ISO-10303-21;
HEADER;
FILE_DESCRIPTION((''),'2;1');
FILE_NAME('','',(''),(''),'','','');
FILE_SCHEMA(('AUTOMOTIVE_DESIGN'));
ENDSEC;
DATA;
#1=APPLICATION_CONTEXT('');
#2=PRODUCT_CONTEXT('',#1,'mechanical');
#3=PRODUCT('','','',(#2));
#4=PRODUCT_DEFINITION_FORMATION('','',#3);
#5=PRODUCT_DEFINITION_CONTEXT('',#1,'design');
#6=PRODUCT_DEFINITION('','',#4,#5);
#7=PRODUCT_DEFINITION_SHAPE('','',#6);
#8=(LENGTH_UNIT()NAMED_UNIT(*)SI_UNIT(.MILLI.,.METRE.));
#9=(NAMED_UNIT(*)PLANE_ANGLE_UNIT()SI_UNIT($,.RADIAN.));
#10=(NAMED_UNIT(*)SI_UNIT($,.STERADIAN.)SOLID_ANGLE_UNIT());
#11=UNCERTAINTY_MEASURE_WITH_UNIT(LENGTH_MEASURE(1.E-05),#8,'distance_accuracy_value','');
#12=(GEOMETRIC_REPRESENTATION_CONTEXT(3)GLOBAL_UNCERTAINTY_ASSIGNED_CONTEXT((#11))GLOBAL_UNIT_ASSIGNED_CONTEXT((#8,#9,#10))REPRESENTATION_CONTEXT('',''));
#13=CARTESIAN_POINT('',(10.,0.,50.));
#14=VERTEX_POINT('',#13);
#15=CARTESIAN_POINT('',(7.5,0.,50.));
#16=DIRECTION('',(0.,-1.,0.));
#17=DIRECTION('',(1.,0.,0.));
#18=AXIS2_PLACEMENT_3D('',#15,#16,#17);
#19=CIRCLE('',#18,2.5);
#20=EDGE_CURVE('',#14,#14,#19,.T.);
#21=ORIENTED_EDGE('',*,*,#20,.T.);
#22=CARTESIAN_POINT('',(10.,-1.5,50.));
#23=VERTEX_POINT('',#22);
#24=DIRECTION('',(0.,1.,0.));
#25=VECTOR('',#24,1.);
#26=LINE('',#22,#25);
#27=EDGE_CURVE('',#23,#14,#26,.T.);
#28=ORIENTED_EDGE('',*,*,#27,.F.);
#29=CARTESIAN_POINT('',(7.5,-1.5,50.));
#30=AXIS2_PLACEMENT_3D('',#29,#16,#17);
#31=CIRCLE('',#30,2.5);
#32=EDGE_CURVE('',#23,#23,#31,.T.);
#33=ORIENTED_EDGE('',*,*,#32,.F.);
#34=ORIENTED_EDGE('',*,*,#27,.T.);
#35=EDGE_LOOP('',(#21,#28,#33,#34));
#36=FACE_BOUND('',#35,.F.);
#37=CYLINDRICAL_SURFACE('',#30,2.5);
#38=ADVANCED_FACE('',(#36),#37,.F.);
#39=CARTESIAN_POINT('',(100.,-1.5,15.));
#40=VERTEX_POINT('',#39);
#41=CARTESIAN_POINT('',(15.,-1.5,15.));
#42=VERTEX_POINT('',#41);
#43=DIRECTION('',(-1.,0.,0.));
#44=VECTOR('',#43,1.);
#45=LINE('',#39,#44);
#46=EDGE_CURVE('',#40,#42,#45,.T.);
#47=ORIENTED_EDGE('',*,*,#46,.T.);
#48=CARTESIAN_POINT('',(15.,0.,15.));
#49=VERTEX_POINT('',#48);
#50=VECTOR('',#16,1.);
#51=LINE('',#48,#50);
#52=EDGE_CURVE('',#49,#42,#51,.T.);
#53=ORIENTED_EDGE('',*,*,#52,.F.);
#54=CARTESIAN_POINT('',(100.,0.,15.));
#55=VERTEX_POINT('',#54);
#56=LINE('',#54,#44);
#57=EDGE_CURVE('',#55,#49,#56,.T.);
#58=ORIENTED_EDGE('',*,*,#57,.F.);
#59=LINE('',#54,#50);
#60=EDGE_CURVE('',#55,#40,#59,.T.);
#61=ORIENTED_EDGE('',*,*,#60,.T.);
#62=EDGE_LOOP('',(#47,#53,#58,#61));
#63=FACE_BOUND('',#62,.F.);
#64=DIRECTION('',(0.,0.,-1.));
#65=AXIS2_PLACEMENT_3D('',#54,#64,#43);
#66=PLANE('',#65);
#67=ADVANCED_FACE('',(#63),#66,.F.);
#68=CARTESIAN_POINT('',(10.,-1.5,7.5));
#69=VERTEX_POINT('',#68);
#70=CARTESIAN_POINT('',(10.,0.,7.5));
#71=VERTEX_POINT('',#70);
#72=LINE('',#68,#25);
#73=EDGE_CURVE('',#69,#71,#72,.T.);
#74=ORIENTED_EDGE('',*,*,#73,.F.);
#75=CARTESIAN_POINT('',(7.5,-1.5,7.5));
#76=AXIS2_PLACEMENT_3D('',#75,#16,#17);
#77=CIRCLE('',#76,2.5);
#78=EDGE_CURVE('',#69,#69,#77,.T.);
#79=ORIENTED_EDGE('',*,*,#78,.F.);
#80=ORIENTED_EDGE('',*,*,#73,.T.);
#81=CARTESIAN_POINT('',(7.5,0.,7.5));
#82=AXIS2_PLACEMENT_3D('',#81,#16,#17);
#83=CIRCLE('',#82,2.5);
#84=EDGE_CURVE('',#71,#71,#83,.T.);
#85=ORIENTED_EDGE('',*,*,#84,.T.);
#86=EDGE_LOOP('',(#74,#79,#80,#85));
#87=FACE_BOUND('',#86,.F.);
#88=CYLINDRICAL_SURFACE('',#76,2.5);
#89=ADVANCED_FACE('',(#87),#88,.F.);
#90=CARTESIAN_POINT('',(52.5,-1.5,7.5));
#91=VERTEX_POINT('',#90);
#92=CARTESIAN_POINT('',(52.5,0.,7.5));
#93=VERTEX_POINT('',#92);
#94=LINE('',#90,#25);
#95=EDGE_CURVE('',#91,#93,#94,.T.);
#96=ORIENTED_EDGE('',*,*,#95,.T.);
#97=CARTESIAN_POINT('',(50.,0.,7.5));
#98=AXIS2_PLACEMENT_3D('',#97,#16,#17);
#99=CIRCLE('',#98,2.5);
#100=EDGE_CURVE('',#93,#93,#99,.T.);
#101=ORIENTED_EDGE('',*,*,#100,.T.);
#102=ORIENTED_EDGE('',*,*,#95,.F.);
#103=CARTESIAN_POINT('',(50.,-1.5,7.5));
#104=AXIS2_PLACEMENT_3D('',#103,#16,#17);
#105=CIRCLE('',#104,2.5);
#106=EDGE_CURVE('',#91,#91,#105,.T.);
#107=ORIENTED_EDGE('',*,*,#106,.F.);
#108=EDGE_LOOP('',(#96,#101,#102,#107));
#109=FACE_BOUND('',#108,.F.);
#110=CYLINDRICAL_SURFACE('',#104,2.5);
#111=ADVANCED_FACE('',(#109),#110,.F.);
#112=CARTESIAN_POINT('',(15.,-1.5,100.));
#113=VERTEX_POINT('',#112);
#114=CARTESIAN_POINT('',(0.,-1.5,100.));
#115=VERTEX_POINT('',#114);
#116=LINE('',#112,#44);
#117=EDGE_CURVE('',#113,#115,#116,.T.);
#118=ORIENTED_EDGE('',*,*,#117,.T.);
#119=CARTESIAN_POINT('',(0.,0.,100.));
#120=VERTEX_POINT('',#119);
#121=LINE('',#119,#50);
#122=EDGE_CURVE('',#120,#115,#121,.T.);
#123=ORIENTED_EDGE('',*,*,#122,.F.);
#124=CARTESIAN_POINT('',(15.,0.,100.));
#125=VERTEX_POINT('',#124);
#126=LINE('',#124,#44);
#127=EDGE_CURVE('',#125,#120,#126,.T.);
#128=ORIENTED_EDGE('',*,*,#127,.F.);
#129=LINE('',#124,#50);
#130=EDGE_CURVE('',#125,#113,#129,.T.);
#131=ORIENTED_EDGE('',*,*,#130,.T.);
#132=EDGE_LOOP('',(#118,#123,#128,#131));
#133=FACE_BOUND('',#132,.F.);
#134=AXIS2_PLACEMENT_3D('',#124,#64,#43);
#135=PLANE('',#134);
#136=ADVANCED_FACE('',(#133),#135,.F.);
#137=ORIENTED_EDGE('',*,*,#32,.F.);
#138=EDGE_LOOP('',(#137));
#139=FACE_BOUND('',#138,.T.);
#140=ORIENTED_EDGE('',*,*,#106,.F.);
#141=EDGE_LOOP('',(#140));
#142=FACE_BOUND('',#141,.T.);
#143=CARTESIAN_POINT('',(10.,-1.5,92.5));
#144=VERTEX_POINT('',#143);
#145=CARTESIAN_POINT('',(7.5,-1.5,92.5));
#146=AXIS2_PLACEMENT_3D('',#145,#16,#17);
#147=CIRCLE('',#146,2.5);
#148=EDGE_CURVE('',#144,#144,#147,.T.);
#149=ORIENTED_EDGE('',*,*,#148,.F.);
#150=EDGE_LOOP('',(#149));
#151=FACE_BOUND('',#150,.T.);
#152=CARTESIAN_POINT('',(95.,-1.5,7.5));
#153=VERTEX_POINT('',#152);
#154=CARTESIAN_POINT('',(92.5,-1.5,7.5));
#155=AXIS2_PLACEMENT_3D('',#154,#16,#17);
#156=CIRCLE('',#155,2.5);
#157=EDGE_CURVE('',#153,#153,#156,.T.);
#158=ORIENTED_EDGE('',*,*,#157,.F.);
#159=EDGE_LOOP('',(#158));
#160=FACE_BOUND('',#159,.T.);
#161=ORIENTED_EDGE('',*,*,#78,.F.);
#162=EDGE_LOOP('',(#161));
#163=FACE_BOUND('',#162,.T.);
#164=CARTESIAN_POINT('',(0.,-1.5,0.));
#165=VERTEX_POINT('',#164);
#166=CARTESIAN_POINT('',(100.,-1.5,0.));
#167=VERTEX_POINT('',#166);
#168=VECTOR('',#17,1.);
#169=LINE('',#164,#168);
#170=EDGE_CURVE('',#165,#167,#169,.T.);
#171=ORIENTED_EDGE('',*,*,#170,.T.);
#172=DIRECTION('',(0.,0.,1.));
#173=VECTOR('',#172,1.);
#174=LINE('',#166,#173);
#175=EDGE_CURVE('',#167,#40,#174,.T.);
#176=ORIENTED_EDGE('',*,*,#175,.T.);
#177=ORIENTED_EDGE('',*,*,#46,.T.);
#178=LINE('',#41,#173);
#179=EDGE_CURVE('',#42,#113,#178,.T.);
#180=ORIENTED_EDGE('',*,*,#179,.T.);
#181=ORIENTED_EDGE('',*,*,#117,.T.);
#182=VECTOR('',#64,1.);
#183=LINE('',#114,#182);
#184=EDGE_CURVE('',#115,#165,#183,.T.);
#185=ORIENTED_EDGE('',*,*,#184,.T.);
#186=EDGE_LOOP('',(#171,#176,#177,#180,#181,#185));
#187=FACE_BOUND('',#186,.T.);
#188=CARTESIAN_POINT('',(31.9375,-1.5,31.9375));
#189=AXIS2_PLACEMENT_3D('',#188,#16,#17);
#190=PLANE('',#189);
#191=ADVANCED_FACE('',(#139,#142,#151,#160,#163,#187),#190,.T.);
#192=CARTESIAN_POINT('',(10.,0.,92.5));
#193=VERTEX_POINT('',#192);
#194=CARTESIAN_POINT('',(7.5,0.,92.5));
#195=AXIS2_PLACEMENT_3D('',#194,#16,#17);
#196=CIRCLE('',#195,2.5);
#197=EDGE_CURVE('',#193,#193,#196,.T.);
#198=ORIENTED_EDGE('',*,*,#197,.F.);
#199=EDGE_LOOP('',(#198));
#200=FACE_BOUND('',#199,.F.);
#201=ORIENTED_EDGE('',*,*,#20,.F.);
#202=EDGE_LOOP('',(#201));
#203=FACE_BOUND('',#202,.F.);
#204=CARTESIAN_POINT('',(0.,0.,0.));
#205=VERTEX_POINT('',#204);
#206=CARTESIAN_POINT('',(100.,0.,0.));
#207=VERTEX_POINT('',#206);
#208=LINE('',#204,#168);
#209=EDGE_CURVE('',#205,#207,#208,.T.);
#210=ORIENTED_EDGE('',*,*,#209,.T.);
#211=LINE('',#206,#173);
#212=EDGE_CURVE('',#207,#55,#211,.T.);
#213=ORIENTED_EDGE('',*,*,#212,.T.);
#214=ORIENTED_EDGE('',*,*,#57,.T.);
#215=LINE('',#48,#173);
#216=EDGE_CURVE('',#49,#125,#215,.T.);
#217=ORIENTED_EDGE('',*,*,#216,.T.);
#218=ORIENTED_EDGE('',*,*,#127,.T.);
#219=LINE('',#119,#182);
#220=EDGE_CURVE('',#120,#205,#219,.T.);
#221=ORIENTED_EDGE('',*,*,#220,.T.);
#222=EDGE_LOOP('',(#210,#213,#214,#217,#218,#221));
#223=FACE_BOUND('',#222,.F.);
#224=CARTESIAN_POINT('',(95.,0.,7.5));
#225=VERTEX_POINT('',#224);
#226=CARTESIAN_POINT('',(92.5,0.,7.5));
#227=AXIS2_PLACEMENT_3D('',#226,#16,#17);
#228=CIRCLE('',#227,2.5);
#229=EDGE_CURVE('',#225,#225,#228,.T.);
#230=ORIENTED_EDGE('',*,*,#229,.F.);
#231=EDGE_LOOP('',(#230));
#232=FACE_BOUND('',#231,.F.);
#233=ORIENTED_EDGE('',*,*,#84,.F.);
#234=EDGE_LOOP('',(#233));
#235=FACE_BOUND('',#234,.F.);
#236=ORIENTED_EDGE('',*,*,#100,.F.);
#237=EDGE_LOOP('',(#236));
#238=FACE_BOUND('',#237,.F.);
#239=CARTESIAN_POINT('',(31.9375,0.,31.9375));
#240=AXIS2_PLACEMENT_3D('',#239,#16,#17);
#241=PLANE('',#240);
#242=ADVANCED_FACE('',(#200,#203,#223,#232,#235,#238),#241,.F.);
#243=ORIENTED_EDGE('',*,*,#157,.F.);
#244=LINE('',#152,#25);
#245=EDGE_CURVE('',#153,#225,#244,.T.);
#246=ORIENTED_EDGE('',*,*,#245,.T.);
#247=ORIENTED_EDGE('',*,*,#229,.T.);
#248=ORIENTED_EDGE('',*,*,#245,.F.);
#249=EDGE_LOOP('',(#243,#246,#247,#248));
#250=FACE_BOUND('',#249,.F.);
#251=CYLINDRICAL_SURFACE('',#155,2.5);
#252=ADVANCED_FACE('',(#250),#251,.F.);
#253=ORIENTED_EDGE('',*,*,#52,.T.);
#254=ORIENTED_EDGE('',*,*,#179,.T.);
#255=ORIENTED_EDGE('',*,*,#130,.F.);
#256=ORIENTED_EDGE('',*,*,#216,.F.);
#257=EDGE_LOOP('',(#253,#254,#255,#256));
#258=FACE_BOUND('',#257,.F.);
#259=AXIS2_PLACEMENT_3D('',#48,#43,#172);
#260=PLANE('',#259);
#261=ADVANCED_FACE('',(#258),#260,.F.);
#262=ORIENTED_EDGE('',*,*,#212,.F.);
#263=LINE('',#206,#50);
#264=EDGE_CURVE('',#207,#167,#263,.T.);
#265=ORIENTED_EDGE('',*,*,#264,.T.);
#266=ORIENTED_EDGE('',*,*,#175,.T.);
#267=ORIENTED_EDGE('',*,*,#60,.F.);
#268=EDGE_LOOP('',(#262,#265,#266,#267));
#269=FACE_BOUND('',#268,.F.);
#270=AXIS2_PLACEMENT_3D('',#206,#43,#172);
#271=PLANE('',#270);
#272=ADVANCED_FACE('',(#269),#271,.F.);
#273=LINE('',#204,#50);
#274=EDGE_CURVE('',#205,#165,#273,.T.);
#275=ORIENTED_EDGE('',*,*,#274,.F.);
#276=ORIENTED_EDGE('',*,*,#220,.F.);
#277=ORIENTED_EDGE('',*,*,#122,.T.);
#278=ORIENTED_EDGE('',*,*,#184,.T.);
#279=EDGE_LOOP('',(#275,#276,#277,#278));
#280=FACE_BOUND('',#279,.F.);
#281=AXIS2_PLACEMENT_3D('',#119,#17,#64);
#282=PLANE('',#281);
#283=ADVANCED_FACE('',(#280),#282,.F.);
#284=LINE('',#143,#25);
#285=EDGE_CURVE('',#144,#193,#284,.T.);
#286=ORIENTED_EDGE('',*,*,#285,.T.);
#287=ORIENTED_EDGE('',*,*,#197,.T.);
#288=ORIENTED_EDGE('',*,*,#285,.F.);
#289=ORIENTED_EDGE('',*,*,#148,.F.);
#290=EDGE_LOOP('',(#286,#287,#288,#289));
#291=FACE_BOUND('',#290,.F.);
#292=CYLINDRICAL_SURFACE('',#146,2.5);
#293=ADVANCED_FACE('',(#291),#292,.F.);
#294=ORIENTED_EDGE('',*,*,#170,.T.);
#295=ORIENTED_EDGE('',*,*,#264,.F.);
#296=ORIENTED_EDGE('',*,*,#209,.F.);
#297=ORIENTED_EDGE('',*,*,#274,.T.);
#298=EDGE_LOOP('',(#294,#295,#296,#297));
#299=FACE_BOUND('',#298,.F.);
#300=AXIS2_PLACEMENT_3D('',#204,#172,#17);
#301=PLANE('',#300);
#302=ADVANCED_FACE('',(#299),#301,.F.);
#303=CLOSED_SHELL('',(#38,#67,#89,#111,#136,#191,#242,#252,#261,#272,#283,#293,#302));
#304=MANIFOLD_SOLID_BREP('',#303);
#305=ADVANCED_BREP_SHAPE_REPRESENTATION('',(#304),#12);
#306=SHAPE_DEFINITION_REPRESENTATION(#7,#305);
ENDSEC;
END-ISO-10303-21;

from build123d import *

# Parameters (mm, degrees)
PAD_DEPTH              = 1.5
SKETCH001_R            = 2.5
POCKET_DEPTH           = 1.501
LINEARPATTERN_COUNT    = 3
LINEARPATTERN_PITCH    = 42.5
LINEARPATTERN001_COUNT = 3
LINEARPATTERN001_PITCH = 42.5


with BuildPart() as part:
    # Sketch → Pad (new body)
    with BuildSketch(Plane.XZ):
        Polygon((0, 0), (100, 0), (100, 15), (15, 15), (15, 100), (0, 100), align=None)
    extrude(amount=PAD_DEPTH)

    # Sketch001 (on Face8 of Pad) → Pocket (cut, through all)
    with BuildSketch(Plane.XZ.offset(1.5)):
        with Locations((7.5, 7.5)):
            Circle(SKETCH001_R)
    pocket = extrude(amount=-POCKET_DEPTH, mode=Mode.SUBTRACT)

    # LinearPattern: Pocket ×3
    with Locations(*[(i * LINEARPATTERN_PITCH, 0, 0) for i in range(1, LINEARPATTERN_COUNT)]):
        add(pocket, mode=Mode.SUBTRACT)

    # LinearPattern001: Pocket ×3
    with Locations(*[(0, 0, i * LINEARPATTERN001_PITCH) for i in range(1, LINEARPATTERN001_COUNT)]):
        add(pocket, mode=Mode.SUBTRACT)


solid = part.part
